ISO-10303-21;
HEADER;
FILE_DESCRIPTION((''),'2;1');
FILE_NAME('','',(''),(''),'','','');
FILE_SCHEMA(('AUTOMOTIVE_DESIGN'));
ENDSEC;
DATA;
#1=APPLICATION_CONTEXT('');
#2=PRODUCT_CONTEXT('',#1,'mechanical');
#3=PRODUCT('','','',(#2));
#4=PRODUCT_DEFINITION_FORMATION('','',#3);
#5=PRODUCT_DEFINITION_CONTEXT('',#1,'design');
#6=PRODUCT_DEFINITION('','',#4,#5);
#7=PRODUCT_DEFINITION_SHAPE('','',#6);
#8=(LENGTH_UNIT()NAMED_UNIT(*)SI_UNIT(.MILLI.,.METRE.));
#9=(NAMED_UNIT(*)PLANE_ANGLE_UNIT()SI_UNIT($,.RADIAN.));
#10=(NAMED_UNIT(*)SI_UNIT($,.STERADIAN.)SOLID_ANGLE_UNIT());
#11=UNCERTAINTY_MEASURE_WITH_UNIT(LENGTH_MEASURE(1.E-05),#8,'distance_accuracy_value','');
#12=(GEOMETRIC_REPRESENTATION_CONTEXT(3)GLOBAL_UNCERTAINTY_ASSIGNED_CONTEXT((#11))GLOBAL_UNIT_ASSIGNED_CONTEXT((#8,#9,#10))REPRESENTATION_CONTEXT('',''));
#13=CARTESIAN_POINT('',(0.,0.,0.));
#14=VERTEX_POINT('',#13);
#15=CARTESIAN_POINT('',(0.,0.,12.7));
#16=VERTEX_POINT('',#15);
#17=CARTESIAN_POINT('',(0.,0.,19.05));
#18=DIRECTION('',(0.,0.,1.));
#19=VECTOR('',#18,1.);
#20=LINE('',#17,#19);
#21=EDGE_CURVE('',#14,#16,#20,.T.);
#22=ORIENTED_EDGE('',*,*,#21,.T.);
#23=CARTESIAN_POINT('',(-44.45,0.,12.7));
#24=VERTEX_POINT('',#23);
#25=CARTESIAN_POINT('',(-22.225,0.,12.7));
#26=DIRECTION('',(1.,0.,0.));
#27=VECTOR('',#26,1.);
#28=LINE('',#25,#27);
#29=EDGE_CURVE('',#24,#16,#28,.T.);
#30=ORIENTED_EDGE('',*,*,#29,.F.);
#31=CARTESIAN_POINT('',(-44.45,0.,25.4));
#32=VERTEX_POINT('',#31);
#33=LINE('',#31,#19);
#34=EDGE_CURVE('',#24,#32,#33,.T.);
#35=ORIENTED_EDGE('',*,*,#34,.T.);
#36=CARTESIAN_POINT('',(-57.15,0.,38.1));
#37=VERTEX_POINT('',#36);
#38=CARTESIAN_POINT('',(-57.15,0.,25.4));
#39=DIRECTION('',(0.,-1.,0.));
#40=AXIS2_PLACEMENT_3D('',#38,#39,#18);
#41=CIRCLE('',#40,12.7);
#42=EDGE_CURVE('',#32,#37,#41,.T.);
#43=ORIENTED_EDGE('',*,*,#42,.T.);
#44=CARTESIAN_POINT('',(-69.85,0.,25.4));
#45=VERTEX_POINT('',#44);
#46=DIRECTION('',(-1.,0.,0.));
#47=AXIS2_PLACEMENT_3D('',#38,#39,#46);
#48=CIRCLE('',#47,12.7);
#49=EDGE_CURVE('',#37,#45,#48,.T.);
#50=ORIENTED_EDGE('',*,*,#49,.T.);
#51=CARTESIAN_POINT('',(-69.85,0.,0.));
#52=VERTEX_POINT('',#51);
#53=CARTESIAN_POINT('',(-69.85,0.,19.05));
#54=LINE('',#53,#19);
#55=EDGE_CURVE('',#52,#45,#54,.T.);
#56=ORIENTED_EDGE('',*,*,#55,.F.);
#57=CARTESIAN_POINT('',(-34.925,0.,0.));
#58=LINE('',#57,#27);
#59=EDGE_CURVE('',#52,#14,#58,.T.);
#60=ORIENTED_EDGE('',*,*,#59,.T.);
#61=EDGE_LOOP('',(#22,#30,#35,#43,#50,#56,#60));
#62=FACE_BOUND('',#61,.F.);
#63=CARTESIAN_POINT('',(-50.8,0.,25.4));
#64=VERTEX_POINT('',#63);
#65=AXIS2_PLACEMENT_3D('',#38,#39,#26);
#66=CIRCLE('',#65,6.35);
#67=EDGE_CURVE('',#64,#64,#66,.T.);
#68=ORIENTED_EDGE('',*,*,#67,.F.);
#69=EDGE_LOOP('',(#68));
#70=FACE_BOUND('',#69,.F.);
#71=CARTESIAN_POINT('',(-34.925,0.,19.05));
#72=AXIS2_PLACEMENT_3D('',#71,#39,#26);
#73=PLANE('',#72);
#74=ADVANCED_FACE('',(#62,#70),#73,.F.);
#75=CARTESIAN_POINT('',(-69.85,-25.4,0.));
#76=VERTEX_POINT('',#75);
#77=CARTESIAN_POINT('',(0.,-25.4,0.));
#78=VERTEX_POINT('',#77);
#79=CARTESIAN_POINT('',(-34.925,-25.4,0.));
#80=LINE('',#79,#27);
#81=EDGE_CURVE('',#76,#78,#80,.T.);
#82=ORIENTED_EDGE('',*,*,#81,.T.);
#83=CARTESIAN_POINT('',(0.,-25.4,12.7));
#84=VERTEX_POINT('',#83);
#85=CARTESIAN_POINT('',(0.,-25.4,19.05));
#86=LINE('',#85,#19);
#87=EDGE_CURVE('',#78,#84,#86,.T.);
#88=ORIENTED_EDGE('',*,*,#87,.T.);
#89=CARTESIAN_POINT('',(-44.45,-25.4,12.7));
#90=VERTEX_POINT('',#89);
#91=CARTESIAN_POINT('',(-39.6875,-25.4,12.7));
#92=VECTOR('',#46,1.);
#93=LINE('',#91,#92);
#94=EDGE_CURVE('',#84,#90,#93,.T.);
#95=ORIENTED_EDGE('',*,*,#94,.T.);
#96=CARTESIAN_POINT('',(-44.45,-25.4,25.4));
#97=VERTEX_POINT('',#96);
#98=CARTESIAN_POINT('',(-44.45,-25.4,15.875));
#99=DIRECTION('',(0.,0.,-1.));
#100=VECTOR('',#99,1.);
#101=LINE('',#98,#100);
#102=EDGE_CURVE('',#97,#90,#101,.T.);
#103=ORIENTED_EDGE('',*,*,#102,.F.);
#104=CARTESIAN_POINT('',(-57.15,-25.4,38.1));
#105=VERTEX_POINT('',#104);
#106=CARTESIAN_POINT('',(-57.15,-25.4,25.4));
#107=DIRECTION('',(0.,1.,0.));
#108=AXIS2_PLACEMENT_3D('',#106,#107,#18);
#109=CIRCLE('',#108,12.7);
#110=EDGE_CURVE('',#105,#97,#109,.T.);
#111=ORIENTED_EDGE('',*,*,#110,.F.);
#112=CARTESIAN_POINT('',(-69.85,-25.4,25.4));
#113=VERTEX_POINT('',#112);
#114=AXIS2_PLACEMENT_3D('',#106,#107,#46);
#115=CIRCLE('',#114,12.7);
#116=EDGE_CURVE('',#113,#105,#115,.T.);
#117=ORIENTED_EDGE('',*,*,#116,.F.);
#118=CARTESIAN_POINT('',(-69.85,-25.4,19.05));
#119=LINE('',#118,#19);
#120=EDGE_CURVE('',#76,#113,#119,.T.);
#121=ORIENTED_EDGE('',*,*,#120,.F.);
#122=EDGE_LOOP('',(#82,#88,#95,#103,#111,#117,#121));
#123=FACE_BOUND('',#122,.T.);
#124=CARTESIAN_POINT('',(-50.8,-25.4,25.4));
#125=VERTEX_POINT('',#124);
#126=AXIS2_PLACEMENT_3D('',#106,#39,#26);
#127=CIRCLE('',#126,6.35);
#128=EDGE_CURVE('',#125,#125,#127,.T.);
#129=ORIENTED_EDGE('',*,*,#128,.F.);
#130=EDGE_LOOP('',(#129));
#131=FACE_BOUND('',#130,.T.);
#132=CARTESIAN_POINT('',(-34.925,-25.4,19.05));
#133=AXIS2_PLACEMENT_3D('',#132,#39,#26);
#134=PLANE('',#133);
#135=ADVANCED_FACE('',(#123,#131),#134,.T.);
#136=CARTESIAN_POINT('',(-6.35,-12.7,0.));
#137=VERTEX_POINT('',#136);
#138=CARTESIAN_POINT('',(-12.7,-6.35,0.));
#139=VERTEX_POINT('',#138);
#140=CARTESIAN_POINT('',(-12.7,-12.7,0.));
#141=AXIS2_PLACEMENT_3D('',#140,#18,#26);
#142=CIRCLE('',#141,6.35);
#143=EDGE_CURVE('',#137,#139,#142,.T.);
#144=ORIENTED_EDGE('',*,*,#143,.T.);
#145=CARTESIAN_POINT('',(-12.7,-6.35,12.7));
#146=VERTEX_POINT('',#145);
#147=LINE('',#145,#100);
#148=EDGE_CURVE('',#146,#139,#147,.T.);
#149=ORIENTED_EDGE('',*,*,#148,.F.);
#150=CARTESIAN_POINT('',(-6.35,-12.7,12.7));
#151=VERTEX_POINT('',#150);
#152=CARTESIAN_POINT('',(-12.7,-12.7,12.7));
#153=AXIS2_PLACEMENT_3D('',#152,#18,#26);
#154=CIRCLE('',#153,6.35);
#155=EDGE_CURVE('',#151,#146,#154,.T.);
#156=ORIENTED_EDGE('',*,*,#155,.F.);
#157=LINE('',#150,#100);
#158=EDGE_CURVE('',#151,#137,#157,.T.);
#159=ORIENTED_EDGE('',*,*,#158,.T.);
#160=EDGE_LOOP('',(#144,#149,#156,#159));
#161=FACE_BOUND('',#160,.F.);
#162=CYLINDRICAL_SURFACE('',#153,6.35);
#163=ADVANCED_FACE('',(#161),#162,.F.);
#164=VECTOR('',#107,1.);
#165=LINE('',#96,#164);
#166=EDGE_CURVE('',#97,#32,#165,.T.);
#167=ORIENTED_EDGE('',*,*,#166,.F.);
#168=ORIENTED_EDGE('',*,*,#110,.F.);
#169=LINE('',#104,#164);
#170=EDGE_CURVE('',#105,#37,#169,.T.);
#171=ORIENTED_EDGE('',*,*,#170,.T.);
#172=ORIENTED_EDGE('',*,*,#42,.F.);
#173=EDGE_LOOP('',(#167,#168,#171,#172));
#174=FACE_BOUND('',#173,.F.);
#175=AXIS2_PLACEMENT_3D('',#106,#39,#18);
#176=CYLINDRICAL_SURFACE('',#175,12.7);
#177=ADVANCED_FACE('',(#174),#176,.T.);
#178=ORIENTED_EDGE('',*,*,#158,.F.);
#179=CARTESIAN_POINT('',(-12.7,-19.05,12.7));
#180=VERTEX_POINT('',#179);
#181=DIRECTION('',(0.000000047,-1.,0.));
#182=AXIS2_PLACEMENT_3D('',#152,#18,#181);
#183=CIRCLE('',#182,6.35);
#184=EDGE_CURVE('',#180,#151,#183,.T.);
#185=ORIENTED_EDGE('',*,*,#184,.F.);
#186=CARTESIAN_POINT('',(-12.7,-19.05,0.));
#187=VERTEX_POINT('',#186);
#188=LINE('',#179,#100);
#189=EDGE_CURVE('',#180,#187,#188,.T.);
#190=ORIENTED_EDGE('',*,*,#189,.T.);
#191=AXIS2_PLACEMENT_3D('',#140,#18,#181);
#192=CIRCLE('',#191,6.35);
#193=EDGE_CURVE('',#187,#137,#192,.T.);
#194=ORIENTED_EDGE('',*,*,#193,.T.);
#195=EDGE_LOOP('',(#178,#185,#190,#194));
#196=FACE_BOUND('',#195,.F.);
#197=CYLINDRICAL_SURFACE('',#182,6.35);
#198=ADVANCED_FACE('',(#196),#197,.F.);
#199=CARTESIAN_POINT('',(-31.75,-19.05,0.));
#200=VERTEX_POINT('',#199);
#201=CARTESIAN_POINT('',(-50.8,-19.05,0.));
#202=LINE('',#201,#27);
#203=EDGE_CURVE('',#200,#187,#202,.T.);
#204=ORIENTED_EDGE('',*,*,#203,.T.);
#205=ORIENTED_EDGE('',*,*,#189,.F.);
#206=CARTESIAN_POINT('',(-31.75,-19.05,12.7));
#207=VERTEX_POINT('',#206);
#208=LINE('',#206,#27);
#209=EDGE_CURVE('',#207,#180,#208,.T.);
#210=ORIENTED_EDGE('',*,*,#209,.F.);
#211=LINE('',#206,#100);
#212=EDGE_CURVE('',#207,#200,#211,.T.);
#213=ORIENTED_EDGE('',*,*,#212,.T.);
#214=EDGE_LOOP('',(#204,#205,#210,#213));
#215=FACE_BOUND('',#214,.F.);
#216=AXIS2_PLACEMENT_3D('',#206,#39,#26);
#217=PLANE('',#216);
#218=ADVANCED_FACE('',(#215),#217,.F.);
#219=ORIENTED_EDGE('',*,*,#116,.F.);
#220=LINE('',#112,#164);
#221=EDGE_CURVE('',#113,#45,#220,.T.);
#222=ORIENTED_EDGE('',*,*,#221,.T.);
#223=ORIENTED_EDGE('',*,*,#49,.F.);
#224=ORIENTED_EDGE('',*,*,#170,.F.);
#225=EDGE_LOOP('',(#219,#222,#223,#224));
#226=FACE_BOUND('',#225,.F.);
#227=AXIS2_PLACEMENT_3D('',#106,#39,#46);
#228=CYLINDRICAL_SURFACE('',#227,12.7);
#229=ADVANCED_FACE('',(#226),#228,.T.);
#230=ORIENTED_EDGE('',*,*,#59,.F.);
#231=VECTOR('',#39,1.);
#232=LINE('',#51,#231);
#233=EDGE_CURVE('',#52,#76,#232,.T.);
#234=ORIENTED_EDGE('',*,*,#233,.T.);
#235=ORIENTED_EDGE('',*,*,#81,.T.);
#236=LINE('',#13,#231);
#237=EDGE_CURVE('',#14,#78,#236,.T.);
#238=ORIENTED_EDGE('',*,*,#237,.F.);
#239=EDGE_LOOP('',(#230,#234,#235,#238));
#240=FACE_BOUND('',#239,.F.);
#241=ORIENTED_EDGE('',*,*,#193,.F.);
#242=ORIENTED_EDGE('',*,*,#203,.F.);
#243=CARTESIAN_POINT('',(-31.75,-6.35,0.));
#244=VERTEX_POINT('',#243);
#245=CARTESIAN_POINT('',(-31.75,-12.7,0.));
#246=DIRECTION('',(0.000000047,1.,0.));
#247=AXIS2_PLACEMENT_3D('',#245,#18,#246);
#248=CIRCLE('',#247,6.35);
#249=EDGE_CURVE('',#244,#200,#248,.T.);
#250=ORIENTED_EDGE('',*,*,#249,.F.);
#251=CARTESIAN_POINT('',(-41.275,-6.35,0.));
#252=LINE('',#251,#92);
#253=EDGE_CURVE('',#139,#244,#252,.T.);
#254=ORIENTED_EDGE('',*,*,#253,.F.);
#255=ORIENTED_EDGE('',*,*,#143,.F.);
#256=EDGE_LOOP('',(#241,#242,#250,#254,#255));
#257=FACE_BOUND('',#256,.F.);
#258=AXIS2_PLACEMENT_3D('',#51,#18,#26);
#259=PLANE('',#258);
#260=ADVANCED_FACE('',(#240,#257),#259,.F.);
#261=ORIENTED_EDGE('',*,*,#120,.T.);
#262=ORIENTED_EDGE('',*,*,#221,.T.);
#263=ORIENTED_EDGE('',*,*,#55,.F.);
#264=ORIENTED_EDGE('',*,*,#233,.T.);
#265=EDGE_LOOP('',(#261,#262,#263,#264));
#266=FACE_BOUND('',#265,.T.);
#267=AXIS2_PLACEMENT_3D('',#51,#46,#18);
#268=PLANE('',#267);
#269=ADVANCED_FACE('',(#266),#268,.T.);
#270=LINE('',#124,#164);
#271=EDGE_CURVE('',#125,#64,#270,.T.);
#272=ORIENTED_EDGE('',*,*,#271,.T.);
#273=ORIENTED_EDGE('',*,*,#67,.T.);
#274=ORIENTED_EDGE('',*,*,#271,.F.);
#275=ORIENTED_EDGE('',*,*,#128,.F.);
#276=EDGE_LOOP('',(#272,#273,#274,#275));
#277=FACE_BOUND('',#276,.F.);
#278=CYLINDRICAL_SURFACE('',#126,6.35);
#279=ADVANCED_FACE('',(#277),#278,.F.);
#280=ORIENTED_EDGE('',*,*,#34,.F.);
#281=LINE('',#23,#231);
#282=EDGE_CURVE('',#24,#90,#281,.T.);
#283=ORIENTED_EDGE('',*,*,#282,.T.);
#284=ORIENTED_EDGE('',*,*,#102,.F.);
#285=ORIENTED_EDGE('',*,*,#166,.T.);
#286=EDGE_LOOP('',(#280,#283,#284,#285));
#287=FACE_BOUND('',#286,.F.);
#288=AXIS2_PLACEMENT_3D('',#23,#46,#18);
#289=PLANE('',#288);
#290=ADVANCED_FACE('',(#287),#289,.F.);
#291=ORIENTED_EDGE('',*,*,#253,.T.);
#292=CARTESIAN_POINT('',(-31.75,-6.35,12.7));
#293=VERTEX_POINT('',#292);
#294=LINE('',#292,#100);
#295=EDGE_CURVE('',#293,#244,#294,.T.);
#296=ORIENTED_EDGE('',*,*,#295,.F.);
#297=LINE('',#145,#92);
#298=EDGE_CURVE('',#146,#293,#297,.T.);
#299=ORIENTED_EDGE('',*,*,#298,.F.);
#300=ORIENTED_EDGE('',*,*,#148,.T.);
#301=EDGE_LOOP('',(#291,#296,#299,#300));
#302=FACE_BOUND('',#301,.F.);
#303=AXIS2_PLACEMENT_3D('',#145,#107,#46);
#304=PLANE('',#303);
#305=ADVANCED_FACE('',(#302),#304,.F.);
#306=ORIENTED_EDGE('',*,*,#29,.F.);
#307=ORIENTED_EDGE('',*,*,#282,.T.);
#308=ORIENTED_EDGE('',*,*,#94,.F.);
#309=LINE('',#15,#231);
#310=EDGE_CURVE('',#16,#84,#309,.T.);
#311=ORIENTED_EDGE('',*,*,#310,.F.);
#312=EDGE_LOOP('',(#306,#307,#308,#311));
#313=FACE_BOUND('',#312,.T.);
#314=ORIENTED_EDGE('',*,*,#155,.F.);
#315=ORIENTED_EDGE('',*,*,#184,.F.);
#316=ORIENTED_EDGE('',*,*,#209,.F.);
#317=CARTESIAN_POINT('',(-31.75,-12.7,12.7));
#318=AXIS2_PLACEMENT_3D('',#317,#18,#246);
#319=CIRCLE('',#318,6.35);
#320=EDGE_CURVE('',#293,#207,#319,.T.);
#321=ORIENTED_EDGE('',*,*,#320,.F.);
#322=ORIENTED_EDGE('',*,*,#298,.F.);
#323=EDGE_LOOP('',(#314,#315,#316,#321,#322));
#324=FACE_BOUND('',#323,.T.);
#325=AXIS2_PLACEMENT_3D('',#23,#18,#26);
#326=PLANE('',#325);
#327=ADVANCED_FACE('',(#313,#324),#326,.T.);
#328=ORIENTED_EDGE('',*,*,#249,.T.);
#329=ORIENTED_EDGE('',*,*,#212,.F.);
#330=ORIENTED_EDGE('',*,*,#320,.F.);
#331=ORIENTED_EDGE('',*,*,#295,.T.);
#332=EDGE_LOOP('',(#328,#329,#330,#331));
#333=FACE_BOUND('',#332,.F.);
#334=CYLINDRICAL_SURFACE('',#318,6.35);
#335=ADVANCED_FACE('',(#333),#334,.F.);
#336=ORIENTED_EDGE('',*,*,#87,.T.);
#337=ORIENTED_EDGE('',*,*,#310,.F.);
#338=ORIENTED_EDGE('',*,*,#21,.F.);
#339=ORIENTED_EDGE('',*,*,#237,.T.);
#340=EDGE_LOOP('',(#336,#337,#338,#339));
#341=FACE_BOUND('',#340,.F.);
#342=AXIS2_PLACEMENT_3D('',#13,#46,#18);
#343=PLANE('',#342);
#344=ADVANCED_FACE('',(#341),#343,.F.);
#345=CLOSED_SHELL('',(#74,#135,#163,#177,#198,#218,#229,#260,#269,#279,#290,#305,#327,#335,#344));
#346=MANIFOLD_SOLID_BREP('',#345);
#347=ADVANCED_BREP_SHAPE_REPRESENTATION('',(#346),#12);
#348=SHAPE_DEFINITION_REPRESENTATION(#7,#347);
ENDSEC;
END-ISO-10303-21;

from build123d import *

# Parameters (mm, degrees)
F0_W     = 69.85
F0_H     = 38.1
F1_DEPTH = 25.4
F2_W     = 44.45
F2_H     = 25.4
F3_DEPTH = 31.75
F5_DEPTH = 25.4
F6_R     = 6.35
F7_DEPTH = 31.75


with BuildPart() as f1:
    # F0 (on Front) → F1 (new body)
    with BuildSketch(Plane.XZ):
        with Locations((-34.925, 19.05)):
            Rectangle(F0_W, F0_H)
    extrude(amount=F1_DEPTH)

    # F2 (on Front) → F3 (cut)
    with BuildSketch(Plane.XZ):
        with Locations((-22.225, 25.4)):
            Rectangle(F2_W, F2_H)
    extrude(amount=F3_DEPTH, mode=Mode.SUBTRACT)

    # F4 (on face) → F5 (cut)
    with BuildSketch(Plane.XY.offset(12.7)):
        with BuildLine():
            ThreePointArc((-12.6999997035, -19.05), (-8.2098718346, -17.1901279557), (-6.35, -12.7))
            ThreePointArc((-6.35, -12.7), (-8.2098719395, -8.2098719395), (-12.7, -6.35))
            ThreePointArc((-12.7, -6.35), (-19.05, -12.7000001483), (-12.6999997035, -19.05))
        make_face()
        with BuildLine():
            ThreePointArc((-12.6999997035, -19.05), (-19.05, -12.7000001483), (-12.7, -6.35))
            Line((-12.7, -6.35), (-31.7499997035, -6.35))
            ThreePointArc((-31.7499997035, -6.35), (-27.2598718346, -8.2098720443), (-25.4, -12.7))
            ThreePointArc((-25.4, -12.7), (-27.2598718346, -17.1901279557), (-31.7499997035, -19.05))
            Line((-31.7499997035, -19.05), (-12.6999997035, -19.05))
        make_face()
        with BuildLine():
            ThreePointArc((-25.4, -12.7), (-27.2598718346, -8.2098720443), (-31.7499997035, -6.35))
            ThreePointArc((-31.7499997035, -6.35), (-38.1, -12.7), (-31.7499997035, -19.05))
            ThreePointArc((-31.7499997035, -19.05), (-27.2598718346, -17.1901279557), (-25.4, -12.7))
        make_face()
    extrude(amount=-F5_DEPTH, mode=Mode.SUBTRACT)

    # F6 (on face) → F7 (cut)
    with BuildSketch(Plane.XZ.offset(25.4)):
        with Locations((-57.15, 25.4)):
            Circle(F6_R)
        with BuildLine():
            ThreePointArc((-57.15, 38.1), (-48.1697438789, 34.3802561211), (-44.45, 25.4))
            Line((-44.45, 25.4), (-44.45, 38.1))
            Line((-44.45, 38.1), (-57.15, 38.1))
        make_face()
        with BuildLine():
            ThreePointArc((-69.85, 25.4), (-66.1302561211, 34.3802561211), (-57.15, 38.1))
            Line((-57.15, 38.1), (-69.85, 38.1))
            Line((-69.85, 38.1), (-69.85, 25.4))
        make_face()
    extrude(amount=-F7_DEPTH, mode=Mode.SUBTRACT)


solid = f1.part
